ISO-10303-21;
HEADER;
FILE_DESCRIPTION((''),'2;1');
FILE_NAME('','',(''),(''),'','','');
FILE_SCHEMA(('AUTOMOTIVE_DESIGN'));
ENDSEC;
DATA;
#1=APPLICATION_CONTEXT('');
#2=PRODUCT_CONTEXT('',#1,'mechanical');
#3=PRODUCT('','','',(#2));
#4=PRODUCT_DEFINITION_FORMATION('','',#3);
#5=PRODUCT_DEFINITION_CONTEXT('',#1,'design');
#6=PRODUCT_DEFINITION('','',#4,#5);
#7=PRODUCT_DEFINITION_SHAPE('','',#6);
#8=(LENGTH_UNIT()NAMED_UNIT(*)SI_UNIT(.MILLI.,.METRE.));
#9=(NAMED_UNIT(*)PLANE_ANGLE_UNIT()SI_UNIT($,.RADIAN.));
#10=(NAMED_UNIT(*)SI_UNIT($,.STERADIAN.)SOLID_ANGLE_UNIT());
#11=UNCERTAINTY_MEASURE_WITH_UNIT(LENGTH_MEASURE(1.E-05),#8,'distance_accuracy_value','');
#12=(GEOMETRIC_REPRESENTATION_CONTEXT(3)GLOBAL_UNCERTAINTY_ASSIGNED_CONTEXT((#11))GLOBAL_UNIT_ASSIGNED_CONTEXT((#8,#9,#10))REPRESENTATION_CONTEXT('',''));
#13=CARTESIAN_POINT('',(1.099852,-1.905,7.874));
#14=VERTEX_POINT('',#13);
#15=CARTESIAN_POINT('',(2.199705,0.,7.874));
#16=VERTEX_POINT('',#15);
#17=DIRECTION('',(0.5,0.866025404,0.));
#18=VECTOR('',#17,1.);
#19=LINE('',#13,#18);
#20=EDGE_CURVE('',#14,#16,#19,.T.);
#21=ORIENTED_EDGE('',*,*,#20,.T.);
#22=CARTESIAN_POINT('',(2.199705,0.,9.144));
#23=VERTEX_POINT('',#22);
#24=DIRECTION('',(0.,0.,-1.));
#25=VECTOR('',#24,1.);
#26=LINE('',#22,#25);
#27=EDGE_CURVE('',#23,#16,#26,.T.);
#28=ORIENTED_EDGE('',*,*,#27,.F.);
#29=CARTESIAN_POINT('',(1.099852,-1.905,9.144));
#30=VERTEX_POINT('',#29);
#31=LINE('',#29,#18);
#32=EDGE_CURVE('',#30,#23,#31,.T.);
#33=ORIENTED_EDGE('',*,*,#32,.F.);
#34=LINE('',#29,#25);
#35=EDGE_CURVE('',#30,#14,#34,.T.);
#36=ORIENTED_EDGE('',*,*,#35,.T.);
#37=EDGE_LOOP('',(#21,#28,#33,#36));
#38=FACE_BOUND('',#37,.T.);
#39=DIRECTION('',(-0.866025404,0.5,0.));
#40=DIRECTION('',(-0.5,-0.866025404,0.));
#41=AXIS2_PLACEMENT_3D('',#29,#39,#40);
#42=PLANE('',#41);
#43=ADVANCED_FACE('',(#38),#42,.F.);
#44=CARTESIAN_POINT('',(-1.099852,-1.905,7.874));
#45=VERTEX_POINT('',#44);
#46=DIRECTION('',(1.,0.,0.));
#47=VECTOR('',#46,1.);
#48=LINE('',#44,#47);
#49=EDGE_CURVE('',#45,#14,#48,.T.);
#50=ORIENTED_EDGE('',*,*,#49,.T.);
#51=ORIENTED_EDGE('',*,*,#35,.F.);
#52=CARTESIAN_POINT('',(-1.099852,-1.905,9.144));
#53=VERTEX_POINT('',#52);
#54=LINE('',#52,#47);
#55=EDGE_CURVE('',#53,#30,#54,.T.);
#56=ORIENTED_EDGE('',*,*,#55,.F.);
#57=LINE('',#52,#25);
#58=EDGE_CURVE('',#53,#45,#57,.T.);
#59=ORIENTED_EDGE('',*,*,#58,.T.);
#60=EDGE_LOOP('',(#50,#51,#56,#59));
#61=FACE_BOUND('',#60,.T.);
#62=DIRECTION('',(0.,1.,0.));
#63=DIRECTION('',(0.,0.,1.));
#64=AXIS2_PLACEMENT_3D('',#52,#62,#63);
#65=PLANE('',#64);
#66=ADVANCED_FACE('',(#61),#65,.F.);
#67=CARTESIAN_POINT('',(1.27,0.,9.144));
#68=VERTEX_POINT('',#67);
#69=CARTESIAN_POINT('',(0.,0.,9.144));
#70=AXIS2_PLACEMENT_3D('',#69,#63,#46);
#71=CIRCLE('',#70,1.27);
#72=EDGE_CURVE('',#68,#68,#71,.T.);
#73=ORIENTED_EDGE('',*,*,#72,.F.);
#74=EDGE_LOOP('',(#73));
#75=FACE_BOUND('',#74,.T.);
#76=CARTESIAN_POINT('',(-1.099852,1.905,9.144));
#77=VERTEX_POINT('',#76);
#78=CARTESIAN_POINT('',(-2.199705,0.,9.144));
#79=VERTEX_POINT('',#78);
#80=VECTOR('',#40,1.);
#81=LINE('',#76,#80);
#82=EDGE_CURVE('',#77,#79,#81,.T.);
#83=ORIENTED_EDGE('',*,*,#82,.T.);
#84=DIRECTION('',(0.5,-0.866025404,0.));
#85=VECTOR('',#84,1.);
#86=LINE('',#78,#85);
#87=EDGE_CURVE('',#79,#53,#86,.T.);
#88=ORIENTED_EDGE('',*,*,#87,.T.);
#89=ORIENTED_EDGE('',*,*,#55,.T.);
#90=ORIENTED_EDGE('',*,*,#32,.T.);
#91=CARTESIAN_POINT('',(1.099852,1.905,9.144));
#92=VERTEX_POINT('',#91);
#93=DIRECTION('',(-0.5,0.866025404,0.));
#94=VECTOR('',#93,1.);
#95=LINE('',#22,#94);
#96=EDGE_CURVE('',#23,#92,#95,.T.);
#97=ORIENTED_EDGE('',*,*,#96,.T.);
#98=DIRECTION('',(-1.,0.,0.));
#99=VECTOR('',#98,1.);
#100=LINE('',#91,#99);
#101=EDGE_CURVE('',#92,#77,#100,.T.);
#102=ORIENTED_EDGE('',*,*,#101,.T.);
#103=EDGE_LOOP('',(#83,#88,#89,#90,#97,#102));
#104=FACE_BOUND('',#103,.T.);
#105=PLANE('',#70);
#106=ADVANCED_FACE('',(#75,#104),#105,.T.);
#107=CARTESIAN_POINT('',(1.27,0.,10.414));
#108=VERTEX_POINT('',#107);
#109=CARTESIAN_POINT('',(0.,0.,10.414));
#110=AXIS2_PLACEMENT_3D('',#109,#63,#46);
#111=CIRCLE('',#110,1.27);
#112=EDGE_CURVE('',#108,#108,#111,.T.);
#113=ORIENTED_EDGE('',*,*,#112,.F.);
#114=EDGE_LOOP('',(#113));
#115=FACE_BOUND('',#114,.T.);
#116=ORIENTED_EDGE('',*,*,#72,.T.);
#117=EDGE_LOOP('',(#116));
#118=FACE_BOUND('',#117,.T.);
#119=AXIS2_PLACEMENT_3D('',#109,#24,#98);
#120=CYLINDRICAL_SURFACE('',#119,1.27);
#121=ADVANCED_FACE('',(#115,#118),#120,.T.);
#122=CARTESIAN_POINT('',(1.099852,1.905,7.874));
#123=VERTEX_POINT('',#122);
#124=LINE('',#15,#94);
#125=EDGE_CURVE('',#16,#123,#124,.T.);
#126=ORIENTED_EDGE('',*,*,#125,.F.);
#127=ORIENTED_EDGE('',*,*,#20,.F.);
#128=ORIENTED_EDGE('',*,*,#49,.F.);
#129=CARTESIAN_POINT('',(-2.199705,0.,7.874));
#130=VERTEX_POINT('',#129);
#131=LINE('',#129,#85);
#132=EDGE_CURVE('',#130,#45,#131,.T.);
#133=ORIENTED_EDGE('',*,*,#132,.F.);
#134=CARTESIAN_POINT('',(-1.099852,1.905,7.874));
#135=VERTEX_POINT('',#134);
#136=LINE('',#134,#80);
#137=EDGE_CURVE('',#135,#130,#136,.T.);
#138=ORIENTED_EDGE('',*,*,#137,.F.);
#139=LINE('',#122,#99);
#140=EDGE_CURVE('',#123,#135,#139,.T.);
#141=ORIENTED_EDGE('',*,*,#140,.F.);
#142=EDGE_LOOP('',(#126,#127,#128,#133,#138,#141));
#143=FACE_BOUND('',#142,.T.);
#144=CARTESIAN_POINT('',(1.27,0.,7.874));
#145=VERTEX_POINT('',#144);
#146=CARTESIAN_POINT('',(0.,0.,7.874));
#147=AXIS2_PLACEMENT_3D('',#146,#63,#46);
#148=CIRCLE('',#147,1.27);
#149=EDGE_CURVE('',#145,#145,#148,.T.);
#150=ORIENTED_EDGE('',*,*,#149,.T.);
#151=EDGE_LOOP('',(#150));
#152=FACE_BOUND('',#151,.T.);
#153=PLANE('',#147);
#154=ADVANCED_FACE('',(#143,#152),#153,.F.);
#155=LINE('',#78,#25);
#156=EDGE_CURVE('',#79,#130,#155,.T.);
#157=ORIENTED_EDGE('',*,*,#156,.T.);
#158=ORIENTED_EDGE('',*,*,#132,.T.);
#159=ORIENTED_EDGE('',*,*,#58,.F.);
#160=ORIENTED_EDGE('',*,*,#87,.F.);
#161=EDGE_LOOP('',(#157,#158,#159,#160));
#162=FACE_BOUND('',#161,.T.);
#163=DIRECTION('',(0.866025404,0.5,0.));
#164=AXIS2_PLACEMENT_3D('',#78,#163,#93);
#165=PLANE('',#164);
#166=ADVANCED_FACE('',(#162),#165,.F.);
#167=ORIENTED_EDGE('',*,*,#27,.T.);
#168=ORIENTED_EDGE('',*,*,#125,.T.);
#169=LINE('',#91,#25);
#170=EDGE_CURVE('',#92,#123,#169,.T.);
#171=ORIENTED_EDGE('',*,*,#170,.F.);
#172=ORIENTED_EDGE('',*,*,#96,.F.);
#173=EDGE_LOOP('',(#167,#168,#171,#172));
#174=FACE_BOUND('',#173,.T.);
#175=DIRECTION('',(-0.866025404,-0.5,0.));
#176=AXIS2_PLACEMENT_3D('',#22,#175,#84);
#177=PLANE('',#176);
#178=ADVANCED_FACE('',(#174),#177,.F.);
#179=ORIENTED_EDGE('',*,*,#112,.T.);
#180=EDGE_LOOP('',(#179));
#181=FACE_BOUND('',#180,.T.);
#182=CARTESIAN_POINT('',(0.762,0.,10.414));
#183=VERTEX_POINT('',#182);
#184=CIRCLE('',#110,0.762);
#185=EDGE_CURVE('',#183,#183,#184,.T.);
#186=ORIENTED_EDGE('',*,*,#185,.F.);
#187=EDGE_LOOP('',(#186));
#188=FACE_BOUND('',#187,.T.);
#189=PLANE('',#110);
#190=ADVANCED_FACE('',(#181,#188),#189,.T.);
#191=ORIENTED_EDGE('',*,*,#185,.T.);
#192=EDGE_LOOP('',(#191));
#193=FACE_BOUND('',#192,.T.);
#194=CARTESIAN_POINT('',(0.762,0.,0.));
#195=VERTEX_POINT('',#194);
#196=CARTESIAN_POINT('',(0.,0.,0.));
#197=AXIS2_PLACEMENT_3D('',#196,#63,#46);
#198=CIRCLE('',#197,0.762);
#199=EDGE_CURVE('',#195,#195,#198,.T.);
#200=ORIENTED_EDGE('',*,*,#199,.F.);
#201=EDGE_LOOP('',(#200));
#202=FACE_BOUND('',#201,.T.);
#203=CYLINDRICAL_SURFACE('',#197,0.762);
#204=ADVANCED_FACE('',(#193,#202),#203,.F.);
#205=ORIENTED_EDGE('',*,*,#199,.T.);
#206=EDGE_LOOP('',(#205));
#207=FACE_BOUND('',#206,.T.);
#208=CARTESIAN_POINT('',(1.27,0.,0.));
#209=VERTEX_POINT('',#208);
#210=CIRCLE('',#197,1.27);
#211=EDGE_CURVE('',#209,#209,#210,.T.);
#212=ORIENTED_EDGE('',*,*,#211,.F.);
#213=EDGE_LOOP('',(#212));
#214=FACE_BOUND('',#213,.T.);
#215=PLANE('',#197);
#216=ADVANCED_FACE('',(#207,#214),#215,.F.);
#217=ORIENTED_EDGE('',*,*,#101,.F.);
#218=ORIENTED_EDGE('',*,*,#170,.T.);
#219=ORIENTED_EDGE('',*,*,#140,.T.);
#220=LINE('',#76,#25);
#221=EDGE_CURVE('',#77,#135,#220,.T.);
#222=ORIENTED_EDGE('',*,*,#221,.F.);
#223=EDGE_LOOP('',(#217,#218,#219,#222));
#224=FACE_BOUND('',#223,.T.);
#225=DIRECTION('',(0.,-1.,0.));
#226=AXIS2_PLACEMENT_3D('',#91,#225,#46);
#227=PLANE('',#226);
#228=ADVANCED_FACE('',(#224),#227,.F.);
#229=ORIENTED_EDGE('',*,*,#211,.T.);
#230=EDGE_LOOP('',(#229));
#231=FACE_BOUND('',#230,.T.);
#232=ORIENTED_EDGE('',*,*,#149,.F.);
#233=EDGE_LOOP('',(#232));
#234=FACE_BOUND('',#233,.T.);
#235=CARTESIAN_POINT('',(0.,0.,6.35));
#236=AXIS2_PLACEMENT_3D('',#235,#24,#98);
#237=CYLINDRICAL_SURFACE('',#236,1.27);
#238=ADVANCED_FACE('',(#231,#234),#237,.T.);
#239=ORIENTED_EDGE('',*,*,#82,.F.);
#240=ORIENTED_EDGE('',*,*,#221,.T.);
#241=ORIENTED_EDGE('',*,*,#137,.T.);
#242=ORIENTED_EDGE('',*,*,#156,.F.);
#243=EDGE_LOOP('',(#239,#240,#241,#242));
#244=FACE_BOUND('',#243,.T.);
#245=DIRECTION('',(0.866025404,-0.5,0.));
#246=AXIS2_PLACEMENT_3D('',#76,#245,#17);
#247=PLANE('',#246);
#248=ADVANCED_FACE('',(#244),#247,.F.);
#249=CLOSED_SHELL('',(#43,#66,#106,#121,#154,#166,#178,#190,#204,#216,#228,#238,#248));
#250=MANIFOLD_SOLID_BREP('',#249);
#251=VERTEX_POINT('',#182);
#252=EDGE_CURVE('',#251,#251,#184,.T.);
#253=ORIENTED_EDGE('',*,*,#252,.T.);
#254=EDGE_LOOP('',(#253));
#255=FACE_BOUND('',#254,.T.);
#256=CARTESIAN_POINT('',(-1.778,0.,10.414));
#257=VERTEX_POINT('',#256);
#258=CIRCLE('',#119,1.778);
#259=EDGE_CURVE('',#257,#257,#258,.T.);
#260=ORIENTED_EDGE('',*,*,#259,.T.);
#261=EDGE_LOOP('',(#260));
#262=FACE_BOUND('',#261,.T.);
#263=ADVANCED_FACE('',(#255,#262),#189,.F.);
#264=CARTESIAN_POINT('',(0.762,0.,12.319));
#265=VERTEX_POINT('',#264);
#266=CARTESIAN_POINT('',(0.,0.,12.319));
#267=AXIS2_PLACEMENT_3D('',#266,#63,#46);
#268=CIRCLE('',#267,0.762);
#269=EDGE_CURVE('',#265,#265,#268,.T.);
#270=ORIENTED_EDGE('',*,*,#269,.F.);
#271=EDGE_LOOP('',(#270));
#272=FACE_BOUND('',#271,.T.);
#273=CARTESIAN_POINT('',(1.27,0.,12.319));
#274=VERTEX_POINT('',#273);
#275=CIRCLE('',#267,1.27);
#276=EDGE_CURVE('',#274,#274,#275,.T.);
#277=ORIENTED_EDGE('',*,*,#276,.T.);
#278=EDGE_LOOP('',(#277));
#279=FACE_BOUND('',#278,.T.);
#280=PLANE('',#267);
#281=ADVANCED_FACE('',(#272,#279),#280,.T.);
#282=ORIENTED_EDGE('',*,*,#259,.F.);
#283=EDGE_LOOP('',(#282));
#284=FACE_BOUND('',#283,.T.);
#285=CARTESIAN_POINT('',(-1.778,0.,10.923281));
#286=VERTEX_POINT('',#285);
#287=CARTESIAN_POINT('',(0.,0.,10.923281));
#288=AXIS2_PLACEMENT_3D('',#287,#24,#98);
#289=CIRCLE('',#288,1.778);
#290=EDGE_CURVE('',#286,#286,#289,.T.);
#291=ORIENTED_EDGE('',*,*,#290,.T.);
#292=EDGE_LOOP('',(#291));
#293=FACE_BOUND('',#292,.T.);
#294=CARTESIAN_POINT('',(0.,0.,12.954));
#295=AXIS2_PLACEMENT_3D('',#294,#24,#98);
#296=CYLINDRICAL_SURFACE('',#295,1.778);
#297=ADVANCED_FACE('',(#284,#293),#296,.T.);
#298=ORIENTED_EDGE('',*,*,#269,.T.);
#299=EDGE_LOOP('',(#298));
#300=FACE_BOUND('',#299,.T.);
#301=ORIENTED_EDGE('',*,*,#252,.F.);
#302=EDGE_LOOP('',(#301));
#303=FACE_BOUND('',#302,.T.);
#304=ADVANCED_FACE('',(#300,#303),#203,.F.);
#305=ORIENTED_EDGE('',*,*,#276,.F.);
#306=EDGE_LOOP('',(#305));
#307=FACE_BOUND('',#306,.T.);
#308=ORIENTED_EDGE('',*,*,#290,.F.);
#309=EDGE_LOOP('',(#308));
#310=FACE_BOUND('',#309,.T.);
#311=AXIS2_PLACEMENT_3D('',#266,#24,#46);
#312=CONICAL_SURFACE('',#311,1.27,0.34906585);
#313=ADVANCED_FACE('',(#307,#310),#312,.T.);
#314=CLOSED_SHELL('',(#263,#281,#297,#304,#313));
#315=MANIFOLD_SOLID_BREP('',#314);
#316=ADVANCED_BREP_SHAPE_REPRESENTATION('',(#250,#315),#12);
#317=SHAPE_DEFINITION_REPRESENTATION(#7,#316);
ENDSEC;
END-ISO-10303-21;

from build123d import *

# Parameters (mm, degrees)
SKETCH1_R           = 1.27
BOSS_EXTRUDE1_DEPTH = 6.35
SKETCH2_R           = 1.27
BOSS_EXTRUDE2_DEPTH = 0.254
SKETCH3_R           = 1.27
BOSS_EXTRUDE3_DEPTH = 1.27
BOSS_EXTRUDE4_DEPTH = 1.27
SKETCH5_R           = 1.27
BOSS_EXTRUDE5_DEPTH = 1.27
SKETCH6_R           = 1.27
BOSS_EXTRUDE6_DEPTH = 1.905
DRAFT3_ANGLE        = 20
SKETCH7_R           = 0.762
CUT_EXTRUDE1_DEPTH  = 13.319
SKETCH8_R           = 1.963363296
SKETCH8_R_2         = 1.778
CUT_EXTRUDE2_DEPTH  = 2.54


with BuildPart() as part:
    # Sketch1 → Boss-Extrude1 (new body)
    with BuildSketch(Plane.XY):
        Circle(SKETCH1_R)
    extrude(amount=BOSS_EXTRUDE1_DEPTH)

    # Sketch2 → Boss-Extrude2 (add)
    with BuildSketch(Plane.XY.offset(6.35)):
        Circle(SKETCH2_R)
    extrude(amount=BOSS_EXTRUDE2_DEPTH)

    # Sketch3 → Boss-Extrude3 (add)
    with BuildSketch(Plane.XY.offset(6.604)):
        Circle(SKETCH3_R)
    extrude(amount=BOSS_EXTRUDE3_DEPTH)

    # Sketch4 → Boss-Extrude4 (add)
    with BuildSketch(Plane.XY.offset(7.874)):
        Polygon((2.199704526, 0), (1.099852263, 1.905), (-1.099852263, 1.905), (-2.199704526, 0), (-1.099852263, -1.905), (1.099852263, -1.905), align=None)
    extrude(amount=BOSS_EXTRUDE4_DEPTH)

    # Sketch5 → Boss-Extrude5 (add)
    with BuildSketch(Plane.XY.offset(9.144)):
        Circle(SKETCH5_R)
    extrude(amount=BOSS_EXTRUDE5_DEPTH)


with BuildPart() as body_2:
    # Sketch6 → Boss-Extrude6 (new body)
    with BuildSketch(Plane.XY.offset(10.414)):
        Circle(SKETCH6_R)
    extrude(amount=BOSS_EXTRUDE6_DEPTH)

    # Draft3
    draft3_faces = [body_2.faces().sort_by_distance(p)[0] for p in [
        (-1.27, 0, 11.3665),
    ]]
    draft(draft3_faces, Plane.XY.offset(12.319), DRAFT3_ANGLE)


with BuildPart() as cut_extrude1_tool:
    # Sketch7 → Cut-Extrude1 (new body, through all)
    with BuildSketch(Plane.XY.offset(12.319)):
        Circle(SKETCH7_R)
    extrude(amount=-CUT_EXTRUDE1_DEPTH)


with BuildPart() as part_1:
    add(part.part)

    # Cut-Extrude1: cut by cut_extrude1_tool
    add(cut_extrude1_tool.part, mode=Mode.SUBTRACT)


with BuildPart() as body_2_1:
    add(body_2.part)

    # Cut-Extrude1: cut by cut_extrude1_tool
    add(cut_extrude1_tool.part, mode=Mode.SUBTRACT)

    # Sketch8 → Cut-Extrude2 (cut)
    with BuildSketch(Plane(origin=(0, 0, 10.414), x_dir=(-1, 0, 0), z_dir=(0, 0, -1))):
        Circle(SKETCH8_R)
        Circle(SKETCH8_R_2, mode=Mode.SUBTRACT)
    extrude(amount=-CUT_EXTRUDE2_DEPTH, mode=Mode.SUBTRACT)


solid = Compound([part_1.part, body_2_1.part])
